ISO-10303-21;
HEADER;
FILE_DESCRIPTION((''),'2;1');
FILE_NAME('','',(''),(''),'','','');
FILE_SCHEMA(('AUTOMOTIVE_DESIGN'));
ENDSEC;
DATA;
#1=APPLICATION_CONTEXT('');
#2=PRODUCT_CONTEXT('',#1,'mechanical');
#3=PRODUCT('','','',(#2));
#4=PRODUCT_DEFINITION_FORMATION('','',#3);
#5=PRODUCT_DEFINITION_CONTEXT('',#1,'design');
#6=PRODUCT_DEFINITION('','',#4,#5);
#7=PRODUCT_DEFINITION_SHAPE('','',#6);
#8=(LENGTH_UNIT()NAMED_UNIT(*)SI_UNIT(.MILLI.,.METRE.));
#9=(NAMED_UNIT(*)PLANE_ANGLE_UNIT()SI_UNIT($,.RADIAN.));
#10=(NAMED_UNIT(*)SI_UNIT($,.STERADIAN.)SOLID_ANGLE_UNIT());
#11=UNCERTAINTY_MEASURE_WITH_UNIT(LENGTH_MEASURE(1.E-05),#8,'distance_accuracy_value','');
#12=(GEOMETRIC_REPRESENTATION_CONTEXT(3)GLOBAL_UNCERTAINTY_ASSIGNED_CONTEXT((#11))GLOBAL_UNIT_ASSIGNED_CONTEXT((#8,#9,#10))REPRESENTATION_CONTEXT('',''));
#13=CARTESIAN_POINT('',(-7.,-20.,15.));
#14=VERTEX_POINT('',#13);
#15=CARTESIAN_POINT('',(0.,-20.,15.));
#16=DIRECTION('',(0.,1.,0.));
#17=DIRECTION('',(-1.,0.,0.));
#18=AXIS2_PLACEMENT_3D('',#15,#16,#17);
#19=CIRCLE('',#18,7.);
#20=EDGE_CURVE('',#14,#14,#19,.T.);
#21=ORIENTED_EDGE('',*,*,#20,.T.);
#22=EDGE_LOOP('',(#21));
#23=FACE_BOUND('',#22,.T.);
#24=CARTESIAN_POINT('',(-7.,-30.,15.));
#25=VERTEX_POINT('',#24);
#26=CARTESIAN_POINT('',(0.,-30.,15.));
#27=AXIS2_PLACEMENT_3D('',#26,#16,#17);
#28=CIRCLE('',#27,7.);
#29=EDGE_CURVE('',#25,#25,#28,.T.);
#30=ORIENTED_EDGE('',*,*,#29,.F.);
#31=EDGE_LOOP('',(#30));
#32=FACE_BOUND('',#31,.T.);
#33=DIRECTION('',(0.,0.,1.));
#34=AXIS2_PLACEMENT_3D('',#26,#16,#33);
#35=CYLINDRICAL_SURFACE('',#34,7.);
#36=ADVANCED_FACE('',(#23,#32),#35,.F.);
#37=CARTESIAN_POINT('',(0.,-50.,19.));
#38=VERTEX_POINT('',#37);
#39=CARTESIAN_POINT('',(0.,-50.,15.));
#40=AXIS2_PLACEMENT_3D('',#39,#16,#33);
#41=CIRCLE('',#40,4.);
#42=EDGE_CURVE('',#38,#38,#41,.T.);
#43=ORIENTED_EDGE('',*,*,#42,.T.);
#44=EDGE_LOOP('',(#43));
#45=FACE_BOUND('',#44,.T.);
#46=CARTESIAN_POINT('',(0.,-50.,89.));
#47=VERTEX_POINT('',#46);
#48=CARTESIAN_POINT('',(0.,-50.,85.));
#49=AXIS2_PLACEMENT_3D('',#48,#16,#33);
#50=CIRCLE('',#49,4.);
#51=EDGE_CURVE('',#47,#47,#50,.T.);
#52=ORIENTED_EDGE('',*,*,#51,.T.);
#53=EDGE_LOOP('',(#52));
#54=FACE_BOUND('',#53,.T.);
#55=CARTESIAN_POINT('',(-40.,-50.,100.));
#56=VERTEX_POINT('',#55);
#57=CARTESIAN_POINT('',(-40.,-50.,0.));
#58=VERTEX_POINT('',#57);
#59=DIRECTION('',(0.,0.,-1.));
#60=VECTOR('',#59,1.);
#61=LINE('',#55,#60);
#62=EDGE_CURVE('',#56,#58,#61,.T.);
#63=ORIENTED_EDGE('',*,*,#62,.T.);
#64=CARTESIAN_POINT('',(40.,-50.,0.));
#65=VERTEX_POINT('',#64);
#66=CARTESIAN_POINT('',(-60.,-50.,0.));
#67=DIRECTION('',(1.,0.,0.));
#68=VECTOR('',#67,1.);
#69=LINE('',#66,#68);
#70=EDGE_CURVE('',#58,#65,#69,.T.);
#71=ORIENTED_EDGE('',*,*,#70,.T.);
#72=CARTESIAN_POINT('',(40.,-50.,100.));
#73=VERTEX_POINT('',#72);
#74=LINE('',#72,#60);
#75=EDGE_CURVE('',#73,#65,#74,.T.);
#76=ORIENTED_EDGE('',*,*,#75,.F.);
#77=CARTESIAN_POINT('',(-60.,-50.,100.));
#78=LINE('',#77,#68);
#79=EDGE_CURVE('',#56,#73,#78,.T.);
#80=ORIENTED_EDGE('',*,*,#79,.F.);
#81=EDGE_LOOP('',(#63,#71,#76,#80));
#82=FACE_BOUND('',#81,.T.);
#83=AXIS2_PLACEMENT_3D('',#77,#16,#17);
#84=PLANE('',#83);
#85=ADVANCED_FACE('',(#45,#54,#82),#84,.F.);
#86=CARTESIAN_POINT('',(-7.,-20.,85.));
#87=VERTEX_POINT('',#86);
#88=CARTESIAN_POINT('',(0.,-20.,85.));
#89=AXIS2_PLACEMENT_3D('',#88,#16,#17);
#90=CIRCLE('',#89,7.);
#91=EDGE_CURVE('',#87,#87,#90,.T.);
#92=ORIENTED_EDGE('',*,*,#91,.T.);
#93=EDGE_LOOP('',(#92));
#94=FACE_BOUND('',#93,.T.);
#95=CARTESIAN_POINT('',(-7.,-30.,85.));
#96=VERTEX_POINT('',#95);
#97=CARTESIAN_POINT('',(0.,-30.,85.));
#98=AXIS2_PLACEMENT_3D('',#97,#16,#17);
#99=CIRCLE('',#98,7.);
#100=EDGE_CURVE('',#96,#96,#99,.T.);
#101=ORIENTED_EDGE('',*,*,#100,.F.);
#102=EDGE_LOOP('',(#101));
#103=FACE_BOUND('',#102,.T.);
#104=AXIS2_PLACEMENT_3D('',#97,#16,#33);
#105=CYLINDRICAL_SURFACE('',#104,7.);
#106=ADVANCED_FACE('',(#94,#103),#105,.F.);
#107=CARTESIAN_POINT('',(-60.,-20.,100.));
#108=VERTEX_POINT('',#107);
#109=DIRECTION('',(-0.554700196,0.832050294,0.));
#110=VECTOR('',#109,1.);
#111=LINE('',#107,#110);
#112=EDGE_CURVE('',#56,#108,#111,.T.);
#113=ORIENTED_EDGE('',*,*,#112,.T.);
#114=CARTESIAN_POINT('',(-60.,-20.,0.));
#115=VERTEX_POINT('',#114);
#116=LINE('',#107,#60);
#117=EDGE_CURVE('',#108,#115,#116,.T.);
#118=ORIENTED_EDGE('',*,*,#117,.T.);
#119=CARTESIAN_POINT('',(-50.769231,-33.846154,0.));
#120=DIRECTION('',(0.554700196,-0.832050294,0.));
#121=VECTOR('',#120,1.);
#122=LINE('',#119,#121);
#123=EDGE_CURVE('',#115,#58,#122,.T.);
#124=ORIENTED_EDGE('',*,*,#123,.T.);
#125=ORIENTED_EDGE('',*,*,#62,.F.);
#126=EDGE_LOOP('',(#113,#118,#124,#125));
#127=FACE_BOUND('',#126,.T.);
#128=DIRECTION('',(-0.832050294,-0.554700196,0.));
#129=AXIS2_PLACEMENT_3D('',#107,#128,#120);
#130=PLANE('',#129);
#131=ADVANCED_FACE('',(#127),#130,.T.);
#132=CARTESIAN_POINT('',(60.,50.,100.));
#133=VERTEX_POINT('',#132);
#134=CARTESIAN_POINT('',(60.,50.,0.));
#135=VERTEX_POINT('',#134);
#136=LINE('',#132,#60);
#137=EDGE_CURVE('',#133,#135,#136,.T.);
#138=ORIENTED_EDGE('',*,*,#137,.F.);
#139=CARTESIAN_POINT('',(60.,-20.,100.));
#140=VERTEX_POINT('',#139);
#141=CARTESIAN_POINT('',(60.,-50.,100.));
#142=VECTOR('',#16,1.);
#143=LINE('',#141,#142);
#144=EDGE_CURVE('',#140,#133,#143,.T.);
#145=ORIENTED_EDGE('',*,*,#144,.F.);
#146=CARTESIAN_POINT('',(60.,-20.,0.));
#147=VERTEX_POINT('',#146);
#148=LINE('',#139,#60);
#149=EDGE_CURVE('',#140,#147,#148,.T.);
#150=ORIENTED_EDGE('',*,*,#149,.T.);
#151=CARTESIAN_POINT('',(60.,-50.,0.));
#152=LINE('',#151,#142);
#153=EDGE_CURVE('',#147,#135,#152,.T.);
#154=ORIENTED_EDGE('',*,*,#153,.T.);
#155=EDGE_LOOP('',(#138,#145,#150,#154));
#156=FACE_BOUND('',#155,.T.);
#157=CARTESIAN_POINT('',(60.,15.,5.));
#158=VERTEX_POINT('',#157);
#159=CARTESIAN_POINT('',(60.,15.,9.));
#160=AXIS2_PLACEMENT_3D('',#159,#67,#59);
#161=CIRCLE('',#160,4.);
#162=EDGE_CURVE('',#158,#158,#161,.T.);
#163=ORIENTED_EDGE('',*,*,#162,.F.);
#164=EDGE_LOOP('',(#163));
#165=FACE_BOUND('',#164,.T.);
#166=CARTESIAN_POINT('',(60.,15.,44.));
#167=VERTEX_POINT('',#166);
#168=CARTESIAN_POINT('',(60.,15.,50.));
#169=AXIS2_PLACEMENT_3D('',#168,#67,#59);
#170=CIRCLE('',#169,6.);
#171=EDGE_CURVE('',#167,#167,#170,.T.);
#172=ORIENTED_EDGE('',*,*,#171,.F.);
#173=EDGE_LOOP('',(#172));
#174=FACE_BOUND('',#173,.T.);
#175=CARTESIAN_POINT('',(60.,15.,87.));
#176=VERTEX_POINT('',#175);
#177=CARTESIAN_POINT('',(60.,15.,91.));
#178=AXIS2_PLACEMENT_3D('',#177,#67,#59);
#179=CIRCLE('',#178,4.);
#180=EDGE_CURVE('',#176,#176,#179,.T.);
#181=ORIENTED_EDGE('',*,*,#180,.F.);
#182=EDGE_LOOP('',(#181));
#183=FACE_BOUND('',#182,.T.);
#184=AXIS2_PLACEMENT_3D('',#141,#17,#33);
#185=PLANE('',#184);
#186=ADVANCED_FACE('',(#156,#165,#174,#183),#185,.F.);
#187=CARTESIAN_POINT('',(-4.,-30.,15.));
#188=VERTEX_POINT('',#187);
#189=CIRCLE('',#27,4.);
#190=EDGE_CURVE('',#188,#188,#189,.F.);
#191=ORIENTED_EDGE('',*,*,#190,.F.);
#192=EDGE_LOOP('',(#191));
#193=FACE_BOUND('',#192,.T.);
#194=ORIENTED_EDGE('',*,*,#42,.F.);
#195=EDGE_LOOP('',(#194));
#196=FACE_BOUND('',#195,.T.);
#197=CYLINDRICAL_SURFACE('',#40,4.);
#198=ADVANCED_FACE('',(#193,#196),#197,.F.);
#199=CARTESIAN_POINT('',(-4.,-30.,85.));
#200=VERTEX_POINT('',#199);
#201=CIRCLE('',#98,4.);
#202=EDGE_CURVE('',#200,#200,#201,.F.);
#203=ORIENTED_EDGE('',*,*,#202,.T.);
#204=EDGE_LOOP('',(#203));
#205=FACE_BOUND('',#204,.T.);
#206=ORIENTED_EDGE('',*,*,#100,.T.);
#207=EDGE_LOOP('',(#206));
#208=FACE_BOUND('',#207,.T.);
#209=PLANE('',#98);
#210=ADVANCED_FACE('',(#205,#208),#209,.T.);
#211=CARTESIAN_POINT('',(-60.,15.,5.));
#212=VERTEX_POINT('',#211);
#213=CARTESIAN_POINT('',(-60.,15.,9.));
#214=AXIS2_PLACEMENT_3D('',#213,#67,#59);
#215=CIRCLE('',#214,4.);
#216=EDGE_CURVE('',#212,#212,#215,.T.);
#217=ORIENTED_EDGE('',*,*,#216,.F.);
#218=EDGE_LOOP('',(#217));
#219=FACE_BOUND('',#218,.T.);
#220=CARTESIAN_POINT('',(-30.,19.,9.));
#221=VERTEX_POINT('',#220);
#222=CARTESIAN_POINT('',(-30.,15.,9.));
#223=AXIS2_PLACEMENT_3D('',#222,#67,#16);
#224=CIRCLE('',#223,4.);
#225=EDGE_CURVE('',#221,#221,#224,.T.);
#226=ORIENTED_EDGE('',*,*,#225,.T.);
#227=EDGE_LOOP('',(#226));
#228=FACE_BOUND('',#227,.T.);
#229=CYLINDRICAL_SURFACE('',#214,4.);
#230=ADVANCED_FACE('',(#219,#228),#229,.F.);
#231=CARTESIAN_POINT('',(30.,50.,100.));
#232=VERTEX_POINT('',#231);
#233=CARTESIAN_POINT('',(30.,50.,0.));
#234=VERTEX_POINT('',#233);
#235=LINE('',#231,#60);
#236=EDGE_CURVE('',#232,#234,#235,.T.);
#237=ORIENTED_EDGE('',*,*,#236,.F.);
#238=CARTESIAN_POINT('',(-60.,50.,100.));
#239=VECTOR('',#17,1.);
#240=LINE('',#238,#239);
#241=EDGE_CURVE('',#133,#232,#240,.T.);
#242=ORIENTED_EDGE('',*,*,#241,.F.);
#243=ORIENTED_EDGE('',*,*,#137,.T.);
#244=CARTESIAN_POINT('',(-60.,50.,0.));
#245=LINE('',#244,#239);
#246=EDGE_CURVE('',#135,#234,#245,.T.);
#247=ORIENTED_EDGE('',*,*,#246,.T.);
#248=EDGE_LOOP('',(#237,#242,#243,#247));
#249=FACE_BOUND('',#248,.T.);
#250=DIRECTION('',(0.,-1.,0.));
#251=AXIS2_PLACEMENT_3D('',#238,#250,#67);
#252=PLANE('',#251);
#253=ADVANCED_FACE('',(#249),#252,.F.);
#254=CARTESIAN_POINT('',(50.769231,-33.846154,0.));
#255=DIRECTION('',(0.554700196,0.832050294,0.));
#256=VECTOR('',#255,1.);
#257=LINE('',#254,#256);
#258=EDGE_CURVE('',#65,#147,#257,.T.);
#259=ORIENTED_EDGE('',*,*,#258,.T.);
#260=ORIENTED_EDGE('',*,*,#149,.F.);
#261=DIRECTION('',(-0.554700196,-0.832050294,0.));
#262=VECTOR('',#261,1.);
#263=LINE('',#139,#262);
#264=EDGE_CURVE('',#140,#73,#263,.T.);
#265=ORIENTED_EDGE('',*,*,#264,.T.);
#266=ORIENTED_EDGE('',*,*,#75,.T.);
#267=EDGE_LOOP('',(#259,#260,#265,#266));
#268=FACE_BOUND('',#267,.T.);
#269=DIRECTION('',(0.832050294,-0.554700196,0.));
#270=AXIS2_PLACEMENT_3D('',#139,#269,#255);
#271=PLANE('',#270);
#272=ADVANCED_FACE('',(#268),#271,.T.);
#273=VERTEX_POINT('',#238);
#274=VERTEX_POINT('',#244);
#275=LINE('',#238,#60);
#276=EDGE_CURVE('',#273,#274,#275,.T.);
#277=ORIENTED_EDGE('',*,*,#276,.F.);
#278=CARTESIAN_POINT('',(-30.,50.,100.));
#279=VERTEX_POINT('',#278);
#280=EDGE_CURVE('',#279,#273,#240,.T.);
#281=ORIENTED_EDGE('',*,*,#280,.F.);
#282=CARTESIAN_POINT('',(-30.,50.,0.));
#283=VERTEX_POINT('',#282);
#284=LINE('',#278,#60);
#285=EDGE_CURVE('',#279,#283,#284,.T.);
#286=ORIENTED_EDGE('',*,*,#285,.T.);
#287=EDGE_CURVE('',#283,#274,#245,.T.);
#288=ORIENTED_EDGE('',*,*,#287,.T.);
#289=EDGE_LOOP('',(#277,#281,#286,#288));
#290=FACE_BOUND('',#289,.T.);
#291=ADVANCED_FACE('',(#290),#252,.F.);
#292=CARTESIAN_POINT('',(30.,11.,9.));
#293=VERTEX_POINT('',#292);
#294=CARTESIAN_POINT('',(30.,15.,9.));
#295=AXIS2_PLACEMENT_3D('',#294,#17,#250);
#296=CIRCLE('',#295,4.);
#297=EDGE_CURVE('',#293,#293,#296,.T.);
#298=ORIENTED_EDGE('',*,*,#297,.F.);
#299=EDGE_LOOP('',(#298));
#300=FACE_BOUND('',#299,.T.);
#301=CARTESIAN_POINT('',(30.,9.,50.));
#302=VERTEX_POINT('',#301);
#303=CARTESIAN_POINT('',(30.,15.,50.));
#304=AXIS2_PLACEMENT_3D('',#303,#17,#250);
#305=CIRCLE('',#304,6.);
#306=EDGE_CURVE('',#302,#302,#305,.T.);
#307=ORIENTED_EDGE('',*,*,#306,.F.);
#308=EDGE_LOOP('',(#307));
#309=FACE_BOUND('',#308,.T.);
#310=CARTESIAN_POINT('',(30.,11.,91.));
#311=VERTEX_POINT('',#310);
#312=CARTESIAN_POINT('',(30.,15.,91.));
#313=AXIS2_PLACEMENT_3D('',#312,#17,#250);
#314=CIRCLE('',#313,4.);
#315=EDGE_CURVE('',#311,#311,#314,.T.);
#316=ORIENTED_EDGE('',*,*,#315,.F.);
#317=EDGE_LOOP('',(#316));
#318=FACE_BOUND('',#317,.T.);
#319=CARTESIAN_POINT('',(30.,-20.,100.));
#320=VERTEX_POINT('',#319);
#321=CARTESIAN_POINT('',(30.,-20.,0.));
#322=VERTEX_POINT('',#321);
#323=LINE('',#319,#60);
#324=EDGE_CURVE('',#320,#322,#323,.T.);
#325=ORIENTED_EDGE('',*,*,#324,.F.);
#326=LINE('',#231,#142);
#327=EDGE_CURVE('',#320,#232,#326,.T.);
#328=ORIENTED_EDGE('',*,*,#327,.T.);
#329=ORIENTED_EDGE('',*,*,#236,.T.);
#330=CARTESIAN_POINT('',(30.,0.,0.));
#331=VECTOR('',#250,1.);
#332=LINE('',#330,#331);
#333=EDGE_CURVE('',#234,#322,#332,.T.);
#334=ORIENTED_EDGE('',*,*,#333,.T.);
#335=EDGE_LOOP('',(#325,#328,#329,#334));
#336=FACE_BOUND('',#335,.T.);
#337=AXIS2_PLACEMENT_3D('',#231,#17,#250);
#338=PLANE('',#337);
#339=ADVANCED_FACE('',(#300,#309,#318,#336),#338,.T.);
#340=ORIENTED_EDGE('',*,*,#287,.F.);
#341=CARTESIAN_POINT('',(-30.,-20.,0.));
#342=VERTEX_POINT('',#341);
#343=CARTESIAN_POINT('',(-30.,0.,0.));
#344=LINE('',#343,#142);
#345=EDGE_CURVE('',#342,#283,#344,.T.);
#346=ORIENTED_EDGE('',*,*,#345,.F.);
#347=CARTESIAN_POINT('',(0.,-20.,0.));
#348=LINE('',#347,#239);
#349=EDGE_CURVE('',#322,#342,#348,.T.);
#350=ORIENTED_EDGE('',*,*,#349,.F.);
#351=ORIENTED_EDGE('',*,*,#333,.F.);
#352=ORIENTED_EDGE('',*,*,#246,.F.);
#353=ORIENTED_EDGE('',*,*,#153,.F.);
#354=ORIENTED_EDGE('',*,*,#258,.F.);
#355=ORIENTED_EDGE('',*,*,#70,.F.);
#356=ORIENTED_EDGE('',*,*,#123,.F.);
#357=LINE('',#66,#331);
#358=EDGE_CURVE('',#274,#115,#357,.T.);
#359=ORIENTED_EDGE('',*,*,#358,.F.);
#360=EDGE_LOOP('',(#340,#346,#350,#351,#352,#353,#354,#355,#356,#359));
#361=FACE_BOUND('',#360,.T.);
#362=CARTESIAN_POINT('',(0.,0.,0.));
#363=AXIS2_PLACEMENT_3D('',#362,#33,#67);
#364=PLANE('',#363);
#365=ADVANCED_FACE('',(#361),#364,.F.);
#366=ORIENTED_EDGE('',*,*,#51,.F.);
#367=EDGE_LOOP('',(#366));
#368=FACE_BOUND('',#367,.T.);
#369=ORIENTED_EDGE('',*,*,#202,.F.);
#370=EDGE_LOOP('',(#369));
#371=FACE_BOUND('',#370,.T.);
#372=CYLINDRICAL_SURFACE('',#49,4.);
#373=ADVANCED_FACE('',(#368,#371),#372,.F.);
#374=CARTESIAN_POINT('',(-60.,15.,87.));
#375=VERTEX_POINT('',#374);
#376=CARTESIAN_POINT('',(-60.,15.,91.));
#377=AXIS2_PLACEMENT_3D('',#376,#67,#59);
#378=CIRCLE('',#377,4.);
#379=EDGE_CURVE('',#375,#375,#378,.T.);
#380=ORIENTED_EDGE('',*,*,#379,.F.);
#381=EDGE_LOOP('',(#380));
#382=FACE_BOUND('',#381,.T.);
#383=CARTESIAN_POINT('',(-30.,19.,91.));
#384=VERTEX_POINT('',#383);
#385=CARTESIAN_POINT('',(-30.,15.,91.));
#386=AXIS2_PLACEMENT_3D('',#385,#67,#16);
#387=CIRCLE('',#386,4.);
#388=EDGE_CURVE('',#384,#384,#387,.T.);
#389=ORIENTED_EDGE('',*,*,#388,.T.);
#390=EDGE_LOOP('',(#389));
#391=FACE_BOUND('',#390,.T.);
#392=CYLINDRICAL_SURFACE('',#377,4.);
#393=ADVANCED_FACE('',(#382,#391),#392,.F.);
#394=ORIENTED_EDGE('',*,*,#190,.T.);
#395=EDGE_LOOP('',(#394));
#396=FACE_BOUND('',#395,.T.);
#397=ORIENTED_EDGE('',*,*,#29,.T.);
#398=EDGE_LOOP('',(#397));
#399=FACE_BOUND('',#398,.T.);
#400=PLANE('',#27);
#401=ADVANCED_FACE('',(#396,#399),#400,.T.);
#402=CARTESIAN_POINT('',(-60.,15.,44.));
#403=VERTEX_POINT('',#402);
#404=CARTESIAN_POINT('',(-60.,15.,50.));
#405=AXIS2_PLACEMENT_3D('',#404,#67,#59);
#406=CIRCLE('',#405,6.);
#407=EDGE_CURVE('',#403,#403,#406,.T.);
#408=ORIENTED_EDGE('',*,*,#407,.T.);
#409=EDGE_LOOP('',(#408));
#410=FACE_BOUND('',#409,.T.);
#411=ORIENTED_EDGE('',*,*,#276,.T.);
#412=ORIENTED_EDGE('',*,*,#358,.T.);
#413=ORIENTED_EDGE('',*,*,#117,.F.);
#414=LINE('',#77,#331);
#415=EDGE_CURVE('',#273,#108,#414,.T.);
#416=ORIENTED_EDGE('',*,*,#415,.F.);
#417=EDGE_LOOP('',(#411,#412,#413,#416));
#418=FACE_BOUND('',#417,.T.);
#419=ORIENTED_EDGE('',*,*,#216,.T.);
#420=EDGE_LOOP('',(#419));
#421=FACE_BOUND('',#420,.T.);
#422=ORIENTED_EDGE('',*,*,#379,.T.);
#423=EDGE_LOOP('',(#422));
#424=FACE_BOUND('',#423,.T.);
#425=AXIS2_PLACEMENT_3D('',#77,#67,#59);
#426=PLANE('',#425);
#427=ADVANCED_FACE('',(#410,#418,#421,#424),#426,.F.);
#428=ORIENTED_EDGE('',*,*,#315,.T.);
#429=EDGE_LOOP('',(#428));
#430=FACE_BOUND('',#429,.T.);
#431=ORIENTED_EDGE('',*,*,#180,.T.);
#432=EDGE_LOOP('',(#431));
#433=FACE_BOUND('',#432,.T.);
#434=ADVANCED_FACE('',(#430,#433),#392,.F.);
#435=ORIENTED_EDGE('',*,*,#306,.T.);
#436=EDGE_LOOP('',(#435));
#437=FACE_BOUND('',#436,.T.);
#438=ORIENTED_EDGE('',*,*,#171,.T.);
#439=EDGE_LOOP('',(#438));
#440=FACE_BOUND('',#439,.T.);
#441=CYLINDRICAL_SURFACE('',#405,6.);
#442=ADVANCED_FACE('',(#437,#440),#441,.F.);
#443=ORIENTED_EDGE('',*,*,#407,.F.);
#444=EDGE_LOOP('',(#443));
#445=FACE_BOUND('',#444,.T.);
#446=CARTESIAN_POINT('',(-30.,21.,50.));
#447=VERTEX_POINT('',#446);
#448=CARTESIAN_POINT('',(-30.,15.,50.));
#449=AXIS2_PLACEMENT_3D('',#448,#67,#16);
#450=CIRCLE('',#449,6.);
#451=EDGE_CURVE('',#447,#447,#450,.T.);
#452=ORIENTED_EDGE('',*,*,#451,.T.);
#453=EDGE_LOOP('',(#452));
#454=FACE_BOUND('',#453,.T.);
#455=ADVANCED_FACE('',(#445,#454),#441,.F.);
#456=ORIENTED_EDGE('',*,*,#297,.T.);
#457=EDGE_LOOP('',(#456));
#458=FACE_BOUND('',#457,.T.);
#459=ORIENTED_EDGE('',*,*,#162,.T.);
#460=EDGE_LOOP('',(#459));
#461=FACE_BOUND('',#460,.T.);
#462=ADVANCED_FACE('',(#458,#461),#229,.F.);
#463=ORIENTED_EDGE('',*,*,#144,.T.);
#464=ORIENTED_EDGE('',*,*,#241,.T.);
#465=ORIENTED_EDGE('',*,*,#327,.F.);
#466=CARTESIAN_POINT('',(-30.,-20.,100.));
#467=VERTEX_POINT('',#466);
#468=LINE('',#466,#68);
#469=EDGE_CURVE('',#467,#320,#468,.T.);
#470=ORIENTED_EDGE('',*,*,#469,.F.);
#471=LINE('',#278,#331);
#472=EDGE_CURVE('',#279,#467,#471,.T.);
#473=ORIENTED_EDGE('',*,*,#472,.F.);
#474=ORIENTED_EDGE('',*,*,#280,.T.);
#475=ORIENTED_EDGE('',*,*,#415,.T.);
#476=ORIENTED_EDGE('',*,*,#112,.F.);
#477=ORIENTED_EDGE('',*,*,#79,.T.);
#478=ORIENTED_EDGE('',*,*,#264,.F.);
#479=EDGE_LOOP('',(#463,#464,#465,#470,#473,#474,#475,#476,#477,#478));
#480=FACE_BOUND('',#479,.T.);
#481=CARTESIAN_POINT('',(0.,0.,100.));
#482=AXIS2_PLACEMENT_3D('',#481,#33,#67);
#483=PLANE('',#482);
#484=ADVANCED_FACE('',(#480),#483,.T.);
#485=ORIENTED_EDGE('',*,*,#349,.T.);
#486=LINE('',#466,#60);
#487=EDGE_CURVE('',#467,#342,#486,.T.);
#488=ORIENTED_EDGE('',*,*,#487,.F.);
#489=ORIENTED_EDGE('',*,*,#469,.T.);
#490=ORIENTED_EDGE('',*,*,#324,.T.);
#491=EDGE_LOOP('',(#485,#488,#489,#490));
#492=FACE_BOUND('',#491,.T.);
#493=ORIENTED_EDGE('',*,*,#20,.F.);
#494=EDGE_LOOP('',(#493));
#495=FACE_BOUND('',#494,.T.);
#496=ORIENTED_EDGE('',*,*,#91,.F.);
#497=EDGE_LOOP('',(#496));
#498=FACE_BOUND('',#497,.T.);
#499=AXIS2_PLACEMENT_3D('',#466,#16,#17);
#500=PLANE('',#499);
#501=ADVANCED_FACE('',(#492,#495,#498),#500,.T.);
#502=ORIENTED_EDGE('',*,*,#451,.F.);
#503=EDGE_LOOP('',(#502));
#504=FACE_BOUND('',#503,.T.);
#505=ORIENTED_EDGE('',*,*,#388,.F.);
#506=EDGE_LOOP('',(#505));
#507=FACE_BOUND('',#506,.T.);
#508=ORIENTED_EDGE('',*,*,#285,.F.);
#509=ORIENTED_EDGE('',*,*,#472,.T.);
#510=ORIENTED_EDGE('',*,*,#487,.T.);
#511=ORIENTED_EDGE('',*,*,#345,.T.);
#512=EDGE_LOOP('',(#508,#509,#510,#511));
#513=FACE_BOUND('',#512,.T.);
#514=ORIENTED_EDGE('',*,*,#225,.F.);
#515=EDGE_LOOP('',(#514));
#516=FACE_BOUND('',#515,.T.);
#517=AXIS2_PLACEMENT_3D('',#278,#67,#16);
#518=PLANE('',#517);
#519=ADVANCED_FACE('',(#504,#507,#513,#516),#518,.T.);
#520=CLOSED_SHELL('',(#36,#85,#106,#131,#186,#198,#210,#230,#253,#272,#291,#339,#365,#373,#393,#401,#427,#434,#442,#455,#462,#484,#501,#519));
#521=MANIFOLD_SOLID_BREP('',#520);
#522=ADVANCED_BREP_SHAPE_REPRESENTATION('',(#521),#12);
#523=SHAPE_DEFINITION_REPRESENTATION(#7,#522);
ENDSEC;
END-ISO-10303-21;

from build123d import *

# Parameters (mm, degrees)
SKETCH1_W               = 120
SKETCH1_H               = 100
BOSS_EXTRUDE1_DEPTH     = 100
SKETCH2_W               = 60
SKETCH2_H               = 70
CUT_EXTRUDE2_DEPTH      = 101
CUT_EXTRUDE2_DEPTH_BACK = 1
SKETCH3_R               = 4
CUT_EXTRUDE3_DEPTH      = 51
CUT_EXTRUDE3_DEPTH_BACK = 51
SKETCH5_R               = 4
CUT_EXTRUDE4_DEPTH      = 61
CUT_EXTRUDE4_DEPTH_BACK = 61
SKETCH6_R               = 6
CUT_EXTRUDE5_DEPTH      = 61
CUT_EXTRUDE5_DEPTH_BACK = 61
CUT_EXTRUDE7_START      = -20
SKETCH7_R               = 7
CUT_EXTRUDE7_DEPTH      = 10


with BuildPart() as part:
    # Sketch1 → Boss-Extrude1 (new body)
    with BuildSketch(Plane.XY):
        Rectangle(SKETCH1_W, SKETCH1_H)
    extrude(amount=BOSS_EXTRUDE1_DEPTH)

    # Sketch2 → Cut-Extrude2 (cut, two sides)
    with BuildSketch(Plane.XY) as cut_extrude2_sk:
        Polygon((-60, -20), (-40, -50), (-60, -50), align=None)
        with Locations((0, 15)):
            Rectangle(SKETCH2_W, SKETCH2_H)
        Polygon((60, -50), (40, -50), (60, -20), align=None)
    extrude(amount=CUT_EXTRUDE2_DEPTH, mode=Mode.SUBTRACT)
    extrude(cut_extrude2_sk.sketch, amount=-CUT_EXTRUDE2_DEPTH_BACK, mode=Mode.SUBTRACT)

    # Sketch3 → Cut-Extrude3 (cut, two sides)
    with BuildSketch(Plane(origin=(0, 0, 0), x_dir=(1, 0, 0), z_dir=(0, 1, 0))) as cut_extrude3_sk:
        with Locations((0, -85)):
            Circle(SKETCH3_R)
        with Locations((0, -15)):
            Circle(SKETCH3_R)
    extrude(amount=CUT_EXTRUDE3_DEPTH, mode=Mode.SUBTRACT)
    extrude(cut_extrude3_sk.sketch, amount=-CUT_EXTRUDE3_DEPTH_BACK, mode=Mode.SUBTRACT)

    # Sketch5 → Cut-Extrude4 (cut, two sides)
    with BuildSketch(Plane(origin=(0, 0, 0), x_dir=(0, 0, -1), z_dir=(1, 0, 0))) as cut_extrude4_sk:
        with Locations((-91, 15)):
            Circle(SKETCH5_R)
        with Locations((-9, 15)):
            Circle(SKETCH5_R)
    extrude(amount=CUT_EXTRUDE4_DEPTH, mode=Mode.SUBTRACT)
    extrude(cut_extrude4_sk.sketch, amount=-CUT_EXTRUDE4_DEPTH_BACK, mode=Mode.SUBTRACT)

    # Sketch6 → Cut-Extrude5 (cut, two sides)
    with BuildSketch(Plane(origin=(0, 0, 0), x_dir=(0, 0, -1), z_dir=(1, 0, 0))) as cut_extrude5_sk:
        with Locations((-50, 15)):
            Circle(SKETCH6_R)
    extrude(amount=CUT_EXTRUDE5_DEPTH, mode=Mode.SUBTRACT)
    extrude(cut_extrude5_sk.sketch, amount=-CUT_EXTRUDE5_DEPTH_BACK, mode=Mode.SUBTRACT)

    # Sketch7 → Cut-Extrude7 (cut)
    with BuildSketch(Plane(origin=(0, 0, 0), x_dir=(1, 0, 0), z_dir=(0, 1, 0)).offset(CUT_EXTRUDE7_START)):
        with Locations((0, -85)):
            Circle(SKETCH7_R)
        with Locations((0, -15)):
            Circle(SKETCH7_R)
    extrude(amount=-CUT_EXTRUDE7_DEPTH, mode=Mode.SUBTRACT)


solid = part.part
